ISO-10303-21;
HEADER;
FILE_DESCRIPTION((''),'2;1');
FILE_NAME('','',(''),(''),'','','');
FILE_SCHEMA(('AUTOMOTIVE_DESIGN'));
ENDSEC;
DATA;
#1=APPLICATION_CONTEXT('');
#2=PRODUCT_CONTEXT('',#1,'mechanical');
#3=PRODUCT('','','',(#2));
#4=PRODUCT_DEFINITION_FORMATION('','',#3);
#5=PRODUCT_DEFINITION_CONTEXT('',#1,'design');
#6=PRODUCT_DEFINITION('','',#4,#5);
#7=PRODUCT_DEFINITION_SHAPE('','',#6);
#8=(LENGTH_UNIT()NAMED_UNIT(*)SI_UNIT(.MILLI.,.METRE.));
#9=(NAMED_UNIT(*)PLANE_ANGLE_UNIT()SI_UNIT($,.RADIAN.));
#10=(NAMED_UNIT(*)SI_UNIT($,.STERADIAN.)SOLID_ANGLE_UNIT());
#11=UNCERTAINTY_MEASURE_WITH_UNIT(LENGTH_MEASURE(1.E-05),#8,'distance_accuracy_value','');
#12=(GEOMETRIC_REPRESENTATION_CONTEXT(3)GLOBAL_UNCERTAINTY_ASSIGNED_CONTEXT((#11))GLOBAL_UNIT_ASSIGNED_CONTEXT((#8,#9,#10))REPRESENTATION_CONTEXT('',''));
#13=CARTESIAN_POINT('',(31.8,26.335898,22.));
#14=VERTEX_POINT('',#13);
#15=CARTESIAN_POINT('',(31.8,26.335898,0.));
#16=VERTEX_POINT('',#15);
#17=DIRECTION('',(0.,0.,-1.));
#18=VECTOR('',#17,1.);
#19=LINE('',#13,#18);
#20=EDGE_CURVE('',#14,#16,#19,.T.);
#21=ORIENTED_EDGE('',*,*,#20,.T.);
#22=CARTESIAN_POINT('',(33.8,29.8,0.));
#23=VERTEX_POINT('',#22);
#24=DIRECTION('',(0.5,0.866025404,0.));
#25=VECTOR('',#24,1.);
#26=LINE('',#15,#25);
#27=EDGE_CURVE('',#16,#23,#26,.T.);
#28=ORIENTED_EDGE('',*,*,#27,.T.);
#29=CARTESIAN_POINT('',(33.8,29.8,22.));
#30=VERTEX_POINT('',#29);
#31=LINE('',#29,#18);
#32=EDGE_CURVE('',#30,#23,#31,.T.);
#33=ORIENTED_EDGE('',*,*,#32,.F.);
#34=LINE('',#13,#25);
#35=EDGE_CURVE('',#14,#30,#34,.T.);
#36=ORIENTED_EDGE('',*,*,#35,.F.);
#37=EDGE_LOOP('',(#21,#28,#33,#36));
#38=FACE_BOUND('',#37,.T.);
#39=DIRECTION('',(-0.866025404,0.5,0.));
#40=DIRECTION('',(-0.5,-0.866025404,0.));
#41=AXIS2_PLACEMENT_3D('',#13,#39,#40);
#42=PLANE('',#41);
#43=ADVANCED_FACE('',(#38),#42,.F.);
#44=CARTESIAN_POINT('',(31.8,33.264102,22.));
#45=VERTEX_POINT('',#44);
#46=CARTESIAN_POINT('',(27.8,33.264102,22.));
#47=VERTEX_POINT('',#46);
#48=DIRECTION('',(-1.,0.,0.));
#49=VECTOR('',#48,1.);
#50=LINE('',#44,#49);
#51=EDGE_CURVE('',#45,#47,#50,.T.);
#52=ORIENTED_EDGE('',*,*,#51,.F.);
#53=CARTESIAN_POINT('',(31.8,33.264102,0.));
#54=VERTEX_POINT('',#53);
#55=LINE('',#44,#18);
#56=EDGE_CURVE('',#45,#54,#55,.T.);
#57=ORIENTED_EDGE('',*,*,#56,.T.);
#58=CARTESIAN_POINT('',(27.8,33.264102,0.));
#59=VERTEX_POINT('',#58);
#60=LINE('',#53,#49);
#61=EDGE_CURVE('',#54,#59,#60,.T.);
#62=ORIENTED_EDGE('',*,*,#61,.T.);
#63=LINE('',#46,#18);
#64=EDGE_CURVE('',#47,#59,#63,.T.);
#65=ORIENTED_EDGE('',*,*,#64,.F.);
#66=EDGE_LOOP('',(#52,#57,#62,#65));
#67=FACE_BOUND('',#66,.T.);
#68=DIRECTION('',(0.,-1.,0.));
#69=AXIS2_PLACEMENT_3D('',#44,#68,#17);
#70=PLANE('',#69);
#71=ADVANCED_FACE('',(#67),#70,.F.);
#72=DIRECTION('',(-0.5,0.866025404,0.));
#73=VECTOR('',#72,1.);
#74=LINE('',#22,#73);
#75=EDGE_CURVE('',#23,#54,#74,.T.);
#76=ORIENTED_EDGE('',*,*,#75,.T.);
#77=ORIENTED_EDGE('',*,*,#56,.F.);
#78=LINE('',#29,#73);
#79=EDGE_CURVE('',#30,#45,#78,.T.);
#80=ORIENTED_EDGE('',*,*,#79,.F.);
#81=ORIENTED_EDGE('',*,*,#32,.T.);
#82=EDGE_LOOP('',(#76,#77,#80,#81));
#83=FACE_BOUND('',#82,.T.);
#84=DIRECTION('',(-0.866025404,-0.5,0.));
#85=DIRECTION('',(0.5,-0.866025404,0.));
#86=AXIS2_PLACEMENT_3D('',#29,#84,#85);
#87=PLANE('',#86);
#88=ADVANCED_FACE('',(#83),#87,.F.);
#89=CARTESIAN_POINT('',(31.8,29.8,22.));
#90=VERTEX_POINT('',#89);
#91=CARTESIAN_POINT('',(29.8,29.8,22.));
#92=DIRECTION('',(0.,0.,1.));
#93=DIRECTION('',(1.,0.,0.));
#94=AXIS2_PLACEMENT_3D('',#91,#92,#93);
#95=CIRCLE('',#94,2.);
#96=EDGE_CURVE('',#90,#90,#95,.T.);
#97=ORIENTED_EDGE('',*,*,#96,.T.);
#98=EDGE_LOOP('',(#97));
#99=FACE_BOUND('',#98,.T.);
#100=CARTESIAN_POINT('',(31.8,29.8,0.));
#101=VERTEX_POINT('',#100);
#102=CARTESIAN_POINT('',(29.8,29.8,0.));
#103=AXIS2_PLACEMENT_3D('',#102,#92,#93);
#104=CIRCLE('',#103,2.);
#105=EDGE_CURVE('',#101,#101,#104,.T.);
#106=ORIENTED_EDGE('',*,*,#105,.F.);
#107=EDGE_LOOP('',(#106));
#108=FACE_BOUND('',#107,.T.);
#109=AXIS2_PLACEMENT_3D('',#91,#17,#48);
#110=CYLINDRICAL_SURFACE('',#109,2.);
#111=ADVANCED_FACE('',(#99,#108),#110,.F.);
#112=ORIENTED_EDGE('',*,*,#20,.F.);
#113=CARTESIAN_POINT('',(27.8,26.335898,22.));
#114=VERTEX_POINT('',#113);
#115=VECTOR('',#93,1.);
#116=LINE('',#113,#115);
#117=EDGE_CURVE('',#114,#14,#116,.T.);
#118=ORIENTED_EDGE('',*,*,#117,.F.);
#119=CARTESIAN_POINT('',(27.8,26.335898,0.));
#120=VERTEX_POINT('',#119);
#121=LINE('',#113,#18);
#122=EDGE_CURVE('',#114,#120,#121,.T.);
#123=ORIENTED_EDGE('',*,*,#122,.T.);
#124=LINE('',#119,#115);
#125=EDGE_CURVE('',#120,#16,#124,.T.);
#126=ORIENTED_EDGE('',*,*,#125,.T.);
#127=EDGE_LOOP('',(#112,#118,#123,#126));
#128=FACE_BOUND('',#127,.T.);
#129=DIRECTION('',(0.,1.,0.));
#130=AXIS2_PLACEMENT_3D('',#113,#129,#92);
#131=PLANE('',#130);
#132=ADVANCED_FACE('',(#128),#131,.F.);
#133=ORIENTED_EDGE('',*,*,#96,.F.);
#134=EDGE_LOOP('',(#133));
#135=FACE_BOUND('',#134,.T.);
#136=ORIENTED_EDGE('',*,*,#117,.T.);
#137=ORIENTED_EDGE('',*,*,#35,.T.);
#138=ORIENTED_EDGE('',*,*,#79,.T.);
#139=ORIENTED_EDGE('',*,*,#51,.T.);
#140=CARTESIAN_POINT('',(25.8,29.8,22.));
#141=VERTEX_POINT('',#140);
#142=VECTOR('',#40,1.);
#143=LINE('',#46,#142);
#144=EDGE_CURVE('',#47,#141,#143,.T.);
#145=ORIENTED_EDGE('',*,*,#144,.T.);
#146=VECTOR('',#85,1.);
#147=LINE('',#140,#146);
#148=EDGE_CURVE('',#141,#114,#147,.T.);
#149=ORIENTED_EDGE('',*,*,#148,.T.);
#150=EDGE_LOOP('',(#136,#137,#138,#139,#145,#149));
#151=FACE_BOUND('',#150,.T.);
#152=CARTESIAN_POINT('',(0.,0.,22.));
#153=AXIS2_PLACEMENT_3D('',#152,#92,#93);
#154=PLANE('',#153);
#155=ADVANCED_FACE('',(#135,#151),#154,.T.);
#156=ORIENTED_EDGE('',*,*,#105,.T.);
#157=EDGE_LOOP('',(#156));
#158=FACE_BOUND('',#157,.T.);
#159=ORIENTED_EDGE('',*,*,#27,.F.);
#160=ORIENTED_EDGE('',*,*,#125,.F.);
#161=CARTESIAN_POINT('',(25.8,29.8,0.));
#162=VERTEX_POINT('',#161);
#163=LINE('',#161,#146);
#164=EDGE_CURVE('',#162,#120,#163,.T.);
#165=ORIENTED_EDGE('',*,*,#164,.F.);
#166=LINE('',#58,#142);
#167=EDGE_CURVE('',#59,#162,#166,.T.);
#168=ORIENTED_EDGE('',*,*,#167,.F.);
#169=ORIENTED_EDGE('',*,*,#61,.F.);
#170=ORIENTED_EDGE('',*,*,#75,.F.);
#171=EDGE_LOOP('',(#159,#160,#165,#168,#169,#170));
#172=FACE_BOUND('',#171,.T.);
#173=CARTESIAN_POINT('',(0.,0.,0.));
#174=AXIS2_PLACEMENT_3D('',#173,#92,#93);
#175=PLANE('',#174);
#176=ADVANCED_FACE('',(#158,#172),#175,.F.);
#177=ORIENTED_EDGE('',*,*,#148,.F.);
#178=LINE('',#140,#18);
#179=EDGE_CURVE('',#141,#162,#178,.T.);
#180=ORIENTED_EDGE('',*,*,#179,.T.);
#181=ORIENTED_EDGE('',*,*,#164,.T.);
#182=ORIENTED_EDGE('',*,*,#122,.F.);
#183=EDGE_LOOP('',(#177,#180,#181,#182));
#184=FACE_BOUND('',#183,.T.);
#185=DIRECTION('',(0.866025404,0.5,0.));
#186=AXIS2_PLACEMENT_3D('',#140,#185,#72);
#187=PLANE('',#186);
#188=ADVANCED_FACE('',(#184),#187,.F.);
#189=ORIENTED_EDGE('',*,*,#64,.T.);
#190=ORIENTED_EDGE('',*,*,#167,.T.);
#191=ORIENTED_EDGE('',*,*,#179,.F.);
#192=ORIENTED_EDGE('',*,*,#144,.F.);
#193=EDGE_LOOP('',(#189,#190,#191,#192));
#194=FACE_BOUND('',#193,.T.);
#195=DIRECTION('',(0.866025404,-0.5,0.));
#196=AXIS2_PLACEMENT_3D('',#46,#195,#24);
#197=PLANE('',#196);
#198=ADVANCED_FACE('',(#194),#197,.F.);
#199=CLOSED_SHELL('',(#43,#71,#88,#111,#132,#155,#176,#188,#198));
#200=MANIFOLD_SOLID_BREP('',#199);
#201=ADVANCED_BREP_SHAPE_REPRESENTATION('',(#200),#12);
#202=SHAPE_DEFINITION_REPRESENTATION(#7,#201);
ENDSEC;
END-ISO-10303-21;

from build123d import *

# Parameters (mm, degrees)
SKETCH_1_R      = 2
EXTRUDE_1_DEPTH = 22


with BuildPart() as part:
    # 草图1 → 凸台-拉伸1 (new body)
    with BuildSketch(Plane.XY):
        Polygon((33.8, 29.8), (31.8, 33.264101615), (27.8, 33.264101615), (25.8, 29.8), (27.8, 26.335898385), (31.8, 26.335898385), align=None)
        with Locations((29.8, 29.8)):
            Circle(SKETCH_1_R, mode=Mode.SUBTRACT)
    extrude(amount=EXTRUDE_1_DEPTH)


solid = part.part
